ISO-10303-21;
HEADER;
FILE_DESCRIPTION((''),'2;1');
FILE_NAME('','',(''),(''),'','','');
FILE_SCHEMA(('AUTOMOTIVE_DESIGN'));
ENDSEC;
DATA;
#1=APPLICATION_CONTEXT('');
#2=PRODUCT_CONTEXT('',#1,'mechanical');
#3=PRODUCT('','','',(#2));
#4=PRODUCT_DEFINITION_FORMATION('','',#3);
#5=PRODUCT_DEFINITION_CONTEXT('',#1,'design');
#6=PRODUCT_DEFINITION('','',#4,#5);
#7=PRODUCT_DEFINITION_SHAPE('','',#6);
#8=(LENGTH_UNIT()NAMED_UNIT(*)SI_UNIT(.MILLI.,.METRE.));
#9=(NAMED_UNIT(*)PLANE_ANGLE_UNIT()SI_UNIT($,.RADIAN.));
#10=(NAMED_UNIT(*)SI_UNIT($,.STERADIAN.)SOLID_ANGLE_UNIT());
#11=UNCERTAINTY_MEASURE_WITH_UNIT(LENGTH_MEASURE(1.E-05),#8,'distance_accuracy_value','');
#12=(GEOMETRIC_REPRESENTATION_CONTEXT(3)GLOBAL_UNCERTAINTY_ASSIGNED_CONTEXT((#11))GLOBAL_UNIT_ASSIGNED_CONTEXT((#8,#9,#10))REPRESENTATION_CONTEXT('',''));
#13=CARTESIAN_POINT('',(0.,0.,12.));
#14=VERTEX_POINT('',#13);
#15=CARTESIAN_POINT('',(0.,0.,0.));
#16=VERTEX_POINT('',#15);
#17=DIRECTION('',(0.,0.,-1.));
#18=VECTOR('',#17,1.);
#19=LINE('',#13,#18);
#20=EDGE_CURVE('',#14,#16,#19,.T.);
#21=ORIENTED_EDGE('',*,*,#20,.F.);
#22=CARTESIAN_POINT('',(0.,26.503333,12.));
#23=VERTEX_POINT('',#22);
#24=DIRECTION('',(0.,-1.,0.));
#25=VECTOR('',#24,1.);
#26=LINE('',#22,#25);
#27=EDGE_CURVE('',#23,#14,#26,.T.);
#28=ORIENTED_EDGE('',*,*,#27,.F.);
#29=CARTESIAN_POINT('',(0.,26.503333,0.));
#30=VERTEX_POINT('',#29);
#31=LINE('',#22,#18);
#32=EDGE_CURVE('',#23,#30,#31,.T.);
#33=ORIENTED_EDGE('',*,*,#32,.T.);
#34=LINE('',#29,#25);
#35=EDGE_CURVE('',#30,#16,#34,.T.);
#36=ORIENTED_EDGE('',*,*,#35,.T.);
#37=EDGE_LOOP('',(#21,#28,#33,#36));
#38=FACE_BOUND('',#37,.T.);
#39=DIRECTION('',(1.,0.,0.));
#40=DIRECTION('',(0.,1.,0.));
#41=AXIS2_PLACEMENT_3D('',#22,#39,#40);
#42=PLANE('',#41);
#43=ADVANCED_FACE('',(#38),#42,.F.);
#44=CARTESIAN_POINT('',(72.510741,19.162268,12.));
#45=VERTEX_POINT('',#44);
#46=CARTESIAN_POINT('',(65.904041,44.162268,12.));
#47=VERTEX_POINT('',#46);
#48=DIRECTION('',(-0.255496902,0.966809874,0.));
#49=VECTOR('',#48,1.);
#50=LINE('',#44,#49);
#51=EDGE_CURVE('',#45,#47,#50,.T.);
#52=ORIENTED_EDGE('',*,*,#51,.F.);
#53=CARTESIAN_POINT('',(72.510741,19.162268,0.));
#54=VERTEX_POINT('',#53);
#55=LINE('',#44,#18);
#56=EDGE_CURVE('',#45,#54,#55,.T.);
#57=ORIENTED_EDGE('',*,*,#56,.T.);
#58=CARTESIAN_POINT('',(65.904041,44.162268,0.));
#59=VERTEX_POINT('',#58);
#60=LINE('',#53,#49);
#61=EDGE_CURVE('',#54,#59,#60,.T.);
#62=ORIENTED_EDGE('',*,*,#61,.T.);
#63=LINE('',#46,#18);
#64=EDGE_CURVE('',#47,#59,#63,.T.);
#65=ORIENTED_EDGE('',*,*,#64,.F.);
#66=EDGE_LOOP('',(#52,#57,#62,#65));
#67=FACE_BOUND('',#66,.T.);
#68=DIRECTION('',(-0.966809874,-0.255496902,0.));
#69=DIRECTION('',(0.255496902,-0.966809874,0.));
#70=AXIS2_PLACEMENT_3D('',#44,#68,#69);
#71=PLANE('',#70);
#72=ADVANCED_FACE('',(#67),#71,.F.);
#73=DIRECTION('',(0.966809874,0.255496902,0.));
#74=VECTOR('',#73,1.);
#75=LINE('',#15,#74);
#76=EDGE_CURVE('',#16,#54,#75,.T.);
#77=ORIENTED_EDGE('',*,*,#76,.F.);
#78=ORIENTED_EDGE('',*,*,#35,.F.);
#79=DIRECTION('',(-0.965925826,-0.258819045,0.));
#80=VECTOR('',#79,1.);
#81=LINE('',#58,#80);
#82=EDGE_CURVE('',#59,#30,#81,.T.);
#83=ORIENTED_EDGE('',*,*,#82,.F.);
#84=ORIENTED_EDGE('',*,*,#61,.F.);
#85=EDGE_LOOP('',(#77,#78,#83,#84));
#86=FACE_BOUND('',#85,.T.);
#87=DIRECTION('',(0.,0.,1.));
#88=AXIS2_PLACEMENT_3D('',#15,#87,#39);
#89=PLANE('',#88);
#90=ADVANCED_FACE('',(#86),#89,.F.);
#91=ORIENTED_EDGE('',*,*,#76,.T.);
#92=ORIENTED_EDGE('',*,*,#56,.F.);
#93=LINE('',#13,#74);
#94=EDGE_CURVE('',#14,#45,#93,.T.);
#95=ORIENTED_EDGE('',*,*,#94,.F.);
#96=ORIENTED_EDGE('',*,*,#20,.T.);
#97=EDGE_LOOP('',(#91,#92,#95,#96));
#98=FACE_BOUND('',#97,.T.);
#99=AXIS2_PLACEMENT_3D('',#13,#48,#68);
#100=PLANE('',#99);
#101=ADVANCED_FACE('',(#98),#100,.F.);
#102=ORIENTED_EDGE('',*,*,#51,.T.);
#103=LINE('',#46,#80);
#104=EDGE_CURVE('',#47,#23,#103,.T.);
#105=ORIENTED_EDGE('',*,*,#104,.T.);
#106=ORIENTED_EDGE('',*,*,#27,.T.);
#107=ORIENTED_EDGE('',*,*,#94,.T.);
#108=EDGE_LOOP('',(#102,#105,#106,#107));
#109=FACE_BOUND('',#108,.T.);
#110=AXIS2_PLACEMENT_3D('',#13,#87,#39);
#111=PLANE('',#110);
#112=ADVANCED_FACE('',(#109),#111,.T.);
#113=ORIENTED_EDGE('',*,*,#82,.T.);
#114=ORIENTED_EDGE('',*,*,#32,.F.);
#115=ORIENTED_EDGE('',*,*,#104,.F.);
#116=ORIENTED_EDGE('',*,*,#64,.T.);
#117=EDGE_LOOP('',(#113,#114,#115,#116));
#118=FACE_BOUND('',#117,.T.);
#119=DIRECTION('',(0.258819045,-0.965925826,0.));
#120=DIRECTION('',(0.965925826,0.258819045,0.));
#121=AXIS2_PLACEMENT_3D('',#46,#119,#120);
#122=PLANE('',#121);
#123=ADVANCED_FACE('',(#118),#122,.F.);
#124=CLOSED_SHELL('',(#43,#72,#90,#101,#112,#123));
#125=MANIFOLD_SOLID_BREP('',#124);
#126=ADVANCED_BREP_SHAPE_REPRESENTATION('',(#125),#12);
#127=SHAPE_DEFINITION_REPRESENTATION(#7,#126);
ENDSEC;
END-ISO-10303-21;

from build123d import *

# Parameters (mm, degrees)
BOSS_EXTRUDE1_DEPTH = 12


with BuildPart() as part:
    # Sketch1 → Boss-Extrude1 (new body)
    with BuildSketch(Plane.XY):
        Polygon((0, 0), (72.510740568, 19.162267669), (65.904040817, 44.162267669), (0, 26.503333154), align=None)
    extrude(amount=BOSS_EXTRUDE1_DEPTH)


solid = part.part
